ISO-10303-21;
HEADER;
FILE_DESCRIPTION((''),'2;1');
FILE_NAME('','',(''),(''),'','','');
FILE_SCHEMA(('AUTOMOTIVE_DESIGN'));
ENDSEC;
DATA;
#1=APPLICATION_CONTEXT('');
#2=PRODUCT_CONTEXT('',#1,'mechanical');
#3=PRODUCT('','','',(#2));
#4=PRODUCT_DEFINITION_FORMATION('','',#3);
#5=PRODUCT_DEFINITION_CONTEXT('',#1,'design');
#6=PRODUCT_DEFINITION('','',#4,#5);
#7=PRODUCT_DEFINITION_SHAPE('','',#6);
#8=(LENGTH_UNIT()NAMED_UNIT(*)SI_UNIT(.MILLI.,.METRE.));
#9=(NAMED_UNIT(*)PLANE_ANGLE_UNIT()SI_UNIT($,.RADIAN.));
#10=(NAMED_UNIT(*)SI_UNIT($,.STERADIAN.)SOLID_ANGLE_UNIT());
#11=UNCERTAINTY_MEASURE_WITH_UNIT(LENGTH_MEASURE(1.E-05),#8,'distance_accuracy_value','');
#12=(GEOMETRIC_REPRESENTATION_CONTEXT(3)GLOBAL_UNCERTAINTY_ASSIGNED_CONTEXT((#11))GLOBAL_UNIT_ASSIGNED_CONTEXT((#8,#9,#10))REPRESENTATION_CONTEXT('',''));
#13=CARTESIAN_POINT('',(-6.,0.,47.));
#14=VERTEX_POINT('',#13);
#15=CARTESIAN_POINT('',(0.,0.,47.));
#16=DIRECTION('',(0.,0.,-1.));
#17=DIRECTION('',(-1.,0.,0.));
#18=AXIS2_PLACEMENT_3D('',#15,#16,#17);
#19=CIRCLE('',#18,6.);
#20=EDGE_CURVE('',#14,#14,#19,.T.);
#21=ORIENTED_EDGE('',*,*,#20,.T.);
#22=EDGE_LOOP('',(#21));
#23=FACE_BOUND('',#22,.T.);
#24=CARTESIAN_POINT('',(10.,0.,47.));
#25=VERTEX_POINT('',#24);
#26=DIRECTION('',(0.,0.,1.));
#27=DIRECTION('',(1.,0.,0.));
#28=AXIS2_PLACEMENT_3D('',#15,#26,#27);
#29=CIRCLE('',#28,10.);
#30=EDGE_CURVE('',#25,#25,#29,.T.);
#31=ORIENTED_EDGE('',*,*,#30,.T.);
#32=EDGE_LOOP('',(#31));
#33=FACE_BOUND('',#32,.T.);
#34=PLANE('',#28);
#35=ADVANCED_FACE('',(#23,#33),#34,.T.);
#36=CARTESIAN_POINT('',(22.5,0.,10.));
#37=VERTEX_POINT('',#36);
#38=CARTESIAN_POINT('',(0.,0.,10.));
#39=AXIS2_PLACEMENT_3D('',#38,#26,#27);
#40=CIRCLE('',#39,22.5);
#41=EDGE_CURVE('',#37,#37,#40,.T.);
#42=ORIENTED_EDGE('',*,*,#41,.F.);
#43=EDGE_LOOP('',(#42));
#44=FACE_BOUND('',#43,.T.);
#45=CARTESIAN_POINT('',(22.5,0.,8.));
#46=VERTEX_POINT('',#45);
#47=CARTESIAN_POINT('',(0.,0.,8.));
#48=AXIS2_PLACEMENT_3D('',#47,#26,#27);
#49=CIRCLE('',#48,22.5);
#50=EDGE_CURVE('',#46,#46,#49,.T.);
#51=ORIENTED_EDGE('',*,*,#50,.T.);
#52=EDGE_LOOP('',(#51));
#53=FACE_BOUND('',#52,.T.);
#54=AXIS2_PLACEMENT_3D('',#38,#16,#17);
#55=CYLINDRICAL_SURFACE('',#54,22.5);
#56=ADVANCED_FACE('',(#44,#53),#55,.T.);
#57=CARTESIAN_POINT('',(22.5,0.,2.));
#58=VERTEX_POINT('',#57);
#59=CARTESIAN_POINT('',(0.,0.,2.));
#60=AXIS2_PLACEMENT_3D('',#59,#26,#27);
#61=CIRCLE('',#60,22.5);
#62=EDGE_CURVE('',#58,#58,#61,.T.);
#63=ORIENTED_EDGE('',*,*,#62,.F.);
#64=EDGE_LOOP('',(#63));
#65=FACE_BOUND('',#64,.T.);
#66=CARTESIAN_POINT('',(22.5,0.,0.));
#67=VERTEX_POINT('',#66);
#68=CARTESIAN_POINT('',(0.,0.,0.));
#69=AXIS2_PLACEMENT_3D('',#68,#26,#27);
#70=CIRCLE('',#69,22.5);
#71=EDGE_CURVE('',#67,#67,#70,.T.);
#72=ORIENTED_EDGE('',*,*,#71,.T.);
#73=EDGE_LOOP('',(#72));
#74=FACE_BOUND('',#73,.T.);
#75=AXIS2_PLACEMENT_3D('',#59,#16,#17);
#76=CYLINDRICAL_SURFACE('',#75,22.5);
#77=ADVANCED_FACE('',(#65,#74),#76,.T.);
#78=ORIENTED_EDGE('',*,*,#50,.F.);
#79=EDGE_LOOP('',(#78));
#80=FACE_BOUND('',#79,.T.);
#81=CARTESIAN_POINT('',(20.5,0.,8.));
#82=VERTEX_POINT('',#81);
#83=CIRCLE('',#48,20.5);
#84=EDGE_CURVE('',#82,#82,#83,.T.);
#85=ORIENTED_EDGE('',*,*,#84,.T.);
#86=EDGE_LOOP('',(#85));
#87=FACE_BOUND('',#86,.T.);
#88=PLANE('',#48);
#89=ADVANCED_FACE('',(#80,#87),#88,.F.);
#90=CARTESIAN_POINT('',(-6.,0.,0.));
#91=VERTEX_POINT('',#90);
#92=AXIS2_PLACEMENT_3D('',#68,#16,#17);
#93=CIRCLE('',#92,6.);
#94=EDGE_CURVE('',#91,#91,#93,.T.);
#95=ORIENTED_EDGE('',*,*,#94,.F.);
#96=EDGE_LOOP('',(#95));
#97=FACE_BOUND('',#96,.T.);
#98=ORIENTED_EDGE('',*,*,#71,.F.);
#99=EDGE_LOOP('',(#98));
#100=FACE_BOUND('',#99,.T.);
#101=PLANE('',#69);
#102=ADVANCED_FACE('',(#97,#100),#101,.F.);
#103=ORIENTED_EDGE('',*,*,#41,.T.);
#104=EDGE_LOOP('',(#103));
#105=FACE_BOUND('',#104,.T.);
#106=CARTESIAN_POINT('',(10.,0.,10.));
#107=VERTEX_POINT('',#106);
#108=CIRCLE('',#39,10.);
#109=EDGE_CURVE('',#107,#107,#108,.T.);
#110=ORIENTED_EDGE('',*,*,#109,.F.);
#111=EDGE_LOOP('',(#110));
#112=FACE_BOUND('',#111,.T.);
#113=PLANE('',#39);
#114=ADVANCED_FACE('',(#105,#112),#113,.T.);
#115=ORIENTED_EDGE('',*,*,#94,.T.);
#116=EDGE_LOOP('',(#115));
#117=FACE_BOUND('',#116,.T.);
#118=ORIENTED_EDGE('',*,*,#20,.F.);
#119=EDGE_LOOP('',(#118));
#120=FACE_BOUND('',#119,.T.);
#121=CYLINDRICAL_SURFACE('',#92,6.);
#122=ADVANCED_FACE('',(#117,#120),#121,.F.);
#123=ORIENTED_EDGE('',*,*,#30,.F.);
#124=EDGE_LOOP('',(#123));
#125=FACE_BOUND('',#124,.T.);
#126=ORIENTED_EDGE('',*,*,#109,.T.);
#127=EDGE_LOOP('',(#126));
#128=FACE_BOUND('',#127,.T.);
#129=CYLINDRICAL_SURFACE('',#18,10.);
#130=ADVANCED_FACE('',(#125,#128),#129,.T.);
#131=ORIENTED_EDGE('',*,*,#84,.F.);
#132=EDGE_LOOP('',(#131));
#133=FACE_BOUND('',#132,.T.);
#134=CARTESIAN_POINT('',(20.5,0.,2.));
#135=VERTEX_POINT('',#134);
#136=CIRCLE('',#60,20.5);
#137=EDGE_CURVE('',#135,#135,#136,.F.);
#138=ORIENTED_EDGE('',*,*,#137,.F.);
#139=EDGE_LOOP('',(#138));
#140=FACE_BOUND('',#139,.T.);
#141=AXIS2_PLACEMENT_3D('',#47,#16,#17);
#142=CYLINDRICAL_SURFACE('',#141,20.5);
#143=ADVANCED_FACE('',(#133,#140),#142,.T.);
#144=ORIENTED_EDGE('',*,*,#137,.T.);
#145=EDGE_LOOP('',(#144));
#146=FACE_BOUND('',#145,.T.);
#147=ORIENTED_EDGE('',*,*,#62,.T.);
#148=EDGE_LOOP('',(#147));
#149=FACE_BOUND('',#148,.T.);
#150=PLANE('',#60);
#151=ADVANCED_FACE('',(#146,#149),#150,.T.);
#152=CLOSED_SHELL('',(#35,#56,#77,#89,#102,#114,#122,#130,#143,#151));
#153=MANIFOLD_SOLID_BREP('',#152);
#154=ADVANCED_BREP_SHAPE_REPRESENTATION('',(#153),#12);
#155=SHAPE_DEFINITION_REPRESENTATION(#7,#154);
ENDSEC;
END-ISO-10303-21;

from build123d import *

# Parameters (mm, degrees)
SKIZZE1_R                        = 22.5
SEITE1_DEPTH                     = 2
SKIZZE2_R                        = 20.5
LAUFFL_CHE_DEPTH                 = 8
SKIZZE5_R                        = 22.5
SEITE_2_DEPTH                    = 2
BOHRUNG_DEPTH                    = 100
BOHRUNG_DEPTH_BACK               = 34.35416016
SKIZZE7_R                        = 2.5
SKIZZE9_R                        = 10
ZAPFEN_DEPTH                     = 37
F_12_0_12_DURCHMESSER_BOHRUNG1_D = 12


with BuildPart() as part:
    # Skizze1 → Seite1 (new body)
    with BuildSketch(Plane.XY):
        Circle(SKIZZE1_R)
    extrude(amount=SEITE1_DEPTH)

    # Skizze2 → Lauffläche (add)
    with BuildSketch(Plane.XY):
        Circle(SKIZZE2_R)
    extrude(amount=LAUFFL_CHE_DEPTH)

    # Skizze5 → Seite 2 (add)
    with BuildSketch(Plane.XY.offset(8)):
        Circle(SKIZZE5_R)
    extrude(amount=SEITE_2_DEPTH)

    # Skizze7 → Bohrung (cut, two sides: drawn at the far end of the back side and taken through both)
    with BuildSketch(Plane.XY.offset(-BOHRUNG_DEPTH_BACK)):
        Circle(SKIZZE7_R)
    extrude(amount=BOHRUNG_DEPTH + BOHRUNG_DEPTH_BACK, mode=Mode.SUBTRACT)

    # Skizze9 → Zapfen (add)
    with BuildSketch(Plane.XY.offset(10)):
        Circle(SKIZZE9_R)
    extrude(amount=ZAPFEN_DEPTH)

    # Ø12.0 (12) Durchmesser Bohrung1 (through all)
    with Locations(Plane(origin=(0, 0, 0), x_dir=(-1, 0, 0), z_dir=(0, 0, -1))):
        with Locations((0, 0)):
            Hole(F_12_0_12_DURCHMESSER_BOHRUNG1_D / 2)


solid = part.part
